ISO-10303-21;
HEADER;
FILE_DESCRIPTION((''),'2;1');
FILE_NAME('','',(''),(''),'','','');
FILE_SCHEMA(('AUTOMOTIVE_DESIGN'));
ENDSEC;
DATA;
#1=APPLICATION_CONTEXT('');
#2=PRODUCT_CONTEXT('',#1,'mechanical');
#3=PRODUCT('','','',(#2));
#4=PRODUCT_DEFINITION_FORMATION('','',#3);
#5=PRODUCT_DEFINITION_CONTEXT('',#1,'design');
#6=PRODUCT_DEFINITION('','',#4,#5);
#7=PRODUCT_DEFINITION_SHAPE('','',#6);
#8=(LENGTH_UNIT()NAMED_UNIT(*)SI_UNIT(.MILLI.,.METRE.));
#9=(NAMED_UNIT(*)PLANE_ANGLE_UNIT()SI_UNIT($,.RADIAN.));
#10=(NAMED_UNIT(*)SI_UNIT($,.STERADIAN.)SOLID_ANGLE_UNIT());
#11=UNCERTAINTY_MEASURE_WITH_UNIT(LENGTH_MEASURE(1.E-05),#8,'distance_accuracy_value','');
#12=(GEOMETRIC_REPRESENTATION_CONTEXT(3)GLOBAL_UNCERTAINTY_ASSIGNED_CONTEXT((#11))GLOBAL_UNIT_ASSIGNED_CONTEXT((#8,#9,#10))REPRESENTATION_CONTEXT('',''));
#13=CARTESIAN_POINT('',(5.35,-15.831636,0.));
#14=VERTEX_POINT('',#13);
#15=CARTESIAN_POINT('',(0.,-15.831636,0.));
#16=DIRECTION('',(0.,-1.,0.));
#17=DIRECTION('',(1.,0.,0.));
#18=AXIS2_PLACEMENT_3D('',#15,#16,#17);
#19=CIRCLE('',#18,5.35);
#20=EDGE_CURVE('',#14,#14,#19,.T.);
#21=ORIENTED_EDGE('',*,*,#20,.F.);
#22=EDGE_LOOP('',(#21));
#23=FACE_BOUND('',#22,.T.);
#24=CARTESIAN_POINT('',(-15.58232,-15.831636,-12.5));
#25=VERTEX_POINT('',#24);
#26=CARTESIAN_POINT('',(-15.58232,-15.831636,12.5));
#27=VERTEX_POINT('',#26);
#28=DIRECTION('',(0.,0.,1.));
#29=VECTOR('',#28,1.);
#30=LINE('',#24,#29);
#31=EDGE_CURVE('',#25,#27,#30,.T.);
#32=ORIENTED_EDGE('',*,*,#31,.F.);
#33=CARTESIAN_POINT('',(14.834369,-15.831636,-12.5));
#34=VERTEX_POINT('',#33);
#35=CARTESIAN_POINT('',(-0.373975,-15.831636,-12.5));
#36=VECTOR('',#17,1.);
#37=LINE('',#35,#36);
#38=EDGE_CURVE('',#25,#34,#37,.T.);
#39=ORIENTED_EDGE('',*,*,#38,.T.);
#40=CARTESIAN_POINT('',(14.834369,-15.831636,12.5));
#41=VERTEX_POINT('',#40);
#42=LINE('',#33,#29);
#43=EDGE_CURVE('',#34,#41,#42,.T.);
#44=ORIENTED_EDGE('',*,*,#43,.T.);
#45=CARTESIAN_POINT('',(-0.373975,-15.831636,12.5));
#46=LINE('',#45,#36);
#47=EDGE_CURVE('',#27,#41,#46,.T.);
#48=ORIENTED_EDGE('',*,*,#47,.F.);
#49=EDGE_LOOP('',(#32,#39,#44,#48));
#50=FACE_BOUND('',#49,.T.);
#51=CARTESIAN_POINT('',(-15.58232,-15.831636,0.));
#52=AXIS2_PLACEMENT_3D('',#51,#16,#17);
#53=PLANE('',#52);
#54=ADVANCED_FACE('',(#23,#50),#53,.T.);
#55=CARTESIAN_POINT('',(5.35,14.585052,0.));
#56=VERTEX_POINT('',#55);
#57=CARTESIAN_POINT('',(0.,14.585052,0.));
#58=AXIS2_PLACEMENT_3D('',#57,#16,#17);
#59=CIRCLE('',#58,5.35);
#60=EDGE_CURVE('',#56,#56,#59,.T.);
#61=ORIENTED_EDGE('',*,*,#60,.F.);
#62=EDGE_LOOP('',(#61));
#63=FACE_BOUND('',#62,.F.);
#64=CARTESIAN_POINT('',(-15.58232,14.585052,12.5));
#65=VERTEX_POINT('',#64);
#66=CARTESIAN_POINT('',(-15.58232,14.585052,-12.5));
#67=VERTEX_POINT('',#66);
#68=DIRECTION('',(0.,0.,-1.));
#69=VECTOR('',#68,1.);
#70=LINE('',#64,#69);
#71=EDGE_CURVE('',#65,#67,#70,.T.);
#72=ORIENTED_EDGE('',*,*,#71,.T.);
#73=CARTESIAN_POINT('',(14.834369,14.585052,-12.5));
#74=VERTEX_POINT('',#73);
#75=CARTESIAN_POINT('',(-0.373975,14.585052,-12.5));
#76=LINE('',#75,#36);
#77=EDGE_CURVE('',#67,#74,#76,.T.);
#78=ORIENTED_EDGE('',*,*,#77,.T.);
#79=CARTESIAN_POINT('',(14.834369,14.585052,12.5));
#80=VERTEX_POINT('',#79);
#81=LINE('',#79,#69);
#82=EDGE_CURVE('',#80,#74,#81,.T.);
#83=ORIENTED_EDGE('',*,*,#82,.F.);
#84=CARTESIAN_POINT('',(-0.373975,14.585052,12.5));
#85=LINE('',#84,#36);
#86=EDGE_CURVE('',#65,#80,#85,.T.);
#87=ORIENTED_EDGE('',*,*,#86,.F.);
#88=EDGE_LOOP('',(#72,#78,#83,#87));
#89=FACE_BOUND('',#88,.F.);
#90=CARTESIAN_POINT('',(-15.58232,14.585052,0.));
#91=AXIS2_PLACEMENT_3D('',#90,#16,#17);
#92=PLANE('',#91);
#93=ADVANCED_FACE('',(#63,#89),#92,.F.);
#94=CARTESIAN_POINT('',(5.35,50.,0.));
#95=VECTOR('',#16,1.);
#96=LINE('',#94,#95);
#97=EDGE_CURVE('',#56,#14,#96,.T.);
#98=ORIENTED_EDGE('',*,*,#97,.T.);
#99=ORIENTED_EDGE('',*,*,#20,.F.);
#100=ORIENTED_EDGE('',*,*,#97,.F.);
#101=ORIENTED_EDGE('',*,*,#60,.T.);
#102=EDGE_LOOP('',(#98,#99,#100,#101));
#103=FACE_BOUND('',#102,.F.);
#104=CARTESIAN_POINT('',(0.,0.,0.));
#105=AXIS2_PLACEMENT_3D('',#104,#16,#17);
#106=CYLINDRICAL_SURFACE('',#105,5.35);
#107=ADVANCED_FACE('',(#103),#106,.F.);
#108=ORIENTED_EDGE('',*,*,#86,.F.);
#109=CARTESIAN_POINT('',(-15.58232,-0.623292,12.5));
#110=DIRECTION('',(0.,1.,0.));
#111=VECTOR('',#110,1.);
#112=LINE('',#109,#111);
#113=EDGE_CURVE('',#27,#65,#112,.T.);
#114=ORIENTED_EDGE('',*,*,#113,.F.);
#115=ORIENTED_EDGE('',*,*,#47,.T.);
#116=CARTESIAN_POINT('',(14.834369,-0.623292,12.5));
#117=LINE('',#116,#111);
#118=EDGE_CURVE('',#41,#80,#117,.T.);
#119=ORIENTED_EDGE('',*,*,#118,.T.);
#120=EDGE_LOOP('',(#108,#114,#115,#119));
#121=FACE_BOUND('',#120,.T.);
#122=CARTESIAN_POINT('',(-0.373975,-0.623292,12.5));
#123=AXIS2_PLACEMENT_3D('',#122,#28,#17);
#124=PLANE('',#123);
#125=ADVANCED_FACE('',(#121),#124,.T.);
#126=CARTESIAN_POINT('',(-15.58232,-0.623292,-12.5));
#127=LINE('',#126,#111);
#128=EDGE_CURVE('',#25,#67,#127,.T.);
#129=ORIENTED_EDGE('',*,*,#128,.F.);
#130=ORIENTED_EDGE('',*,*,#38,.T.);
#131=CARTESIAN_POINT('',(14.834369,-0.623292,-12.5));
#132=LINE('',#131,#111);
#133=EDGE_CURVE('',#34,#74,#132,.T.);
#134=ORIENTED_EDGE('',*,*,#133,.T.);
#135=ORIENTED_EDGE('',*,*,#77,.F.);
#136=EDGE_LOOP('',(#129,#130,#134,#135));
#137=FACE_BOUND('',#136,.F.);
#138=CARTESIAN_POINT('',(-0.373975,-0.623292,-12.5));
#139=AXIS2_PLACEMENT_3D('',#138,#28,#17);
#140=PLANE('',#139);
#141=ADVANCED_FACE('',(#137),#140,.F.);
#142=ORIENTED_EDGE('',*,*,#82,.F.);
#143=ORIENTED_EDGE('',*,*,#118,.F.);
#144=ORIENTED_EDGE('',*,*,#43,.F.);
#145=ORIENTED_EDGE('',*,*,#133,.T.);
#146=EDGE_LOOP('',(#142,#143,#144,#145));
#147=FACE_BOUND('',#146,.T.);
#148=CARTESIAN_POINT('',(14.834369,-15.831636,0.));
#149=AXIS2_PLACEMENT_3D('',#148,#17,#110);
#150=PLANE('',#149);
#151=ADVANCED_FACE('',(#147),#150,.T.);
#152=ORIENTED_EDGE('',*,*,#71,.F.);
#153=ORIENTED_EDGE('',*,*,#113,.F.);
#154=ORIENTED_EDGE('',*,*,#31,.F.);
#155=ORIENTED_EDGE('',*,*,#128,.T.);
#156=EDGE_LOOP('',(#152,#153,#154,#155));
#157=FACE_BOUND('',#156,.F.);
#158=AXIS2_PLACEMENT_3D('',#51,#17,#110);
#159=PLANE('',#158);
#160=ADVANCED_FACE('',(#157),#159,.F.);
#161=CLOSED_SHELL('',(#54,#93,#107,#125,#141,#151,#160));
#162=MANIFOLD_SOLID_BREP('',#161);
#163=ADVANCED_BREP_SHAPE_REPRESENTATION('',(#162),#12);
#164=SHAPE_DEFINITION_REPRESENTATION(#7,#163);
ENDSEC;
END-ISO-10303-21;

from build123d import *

# Parameters (mm, degrees)
F0_W     = 30.416689
F0_H     = 30.416687
F1_DEPTH = 12.5
F2_R     = 5.35
F3_DEPTH = 50


with BuildPart() as f1:
    # F0 (on Top) → F1 (new body, symmetric)
    with BuildSketch(Plane.XY):
        with Locations((-0.373975, -0.623292)):
            Rectangle(F0_W, F0_H)
    extrude(amount=F1_DEPTH, both=True)

    # F2 (on Front) → F3 (cut, symmetric)
    with BuildSketch(Plane.XZ):
        Circle(F2_R)
    extrude(amount=F3_DEPTH, both=True, mode=Mode.SUBTRACT)


solid = f1.part
